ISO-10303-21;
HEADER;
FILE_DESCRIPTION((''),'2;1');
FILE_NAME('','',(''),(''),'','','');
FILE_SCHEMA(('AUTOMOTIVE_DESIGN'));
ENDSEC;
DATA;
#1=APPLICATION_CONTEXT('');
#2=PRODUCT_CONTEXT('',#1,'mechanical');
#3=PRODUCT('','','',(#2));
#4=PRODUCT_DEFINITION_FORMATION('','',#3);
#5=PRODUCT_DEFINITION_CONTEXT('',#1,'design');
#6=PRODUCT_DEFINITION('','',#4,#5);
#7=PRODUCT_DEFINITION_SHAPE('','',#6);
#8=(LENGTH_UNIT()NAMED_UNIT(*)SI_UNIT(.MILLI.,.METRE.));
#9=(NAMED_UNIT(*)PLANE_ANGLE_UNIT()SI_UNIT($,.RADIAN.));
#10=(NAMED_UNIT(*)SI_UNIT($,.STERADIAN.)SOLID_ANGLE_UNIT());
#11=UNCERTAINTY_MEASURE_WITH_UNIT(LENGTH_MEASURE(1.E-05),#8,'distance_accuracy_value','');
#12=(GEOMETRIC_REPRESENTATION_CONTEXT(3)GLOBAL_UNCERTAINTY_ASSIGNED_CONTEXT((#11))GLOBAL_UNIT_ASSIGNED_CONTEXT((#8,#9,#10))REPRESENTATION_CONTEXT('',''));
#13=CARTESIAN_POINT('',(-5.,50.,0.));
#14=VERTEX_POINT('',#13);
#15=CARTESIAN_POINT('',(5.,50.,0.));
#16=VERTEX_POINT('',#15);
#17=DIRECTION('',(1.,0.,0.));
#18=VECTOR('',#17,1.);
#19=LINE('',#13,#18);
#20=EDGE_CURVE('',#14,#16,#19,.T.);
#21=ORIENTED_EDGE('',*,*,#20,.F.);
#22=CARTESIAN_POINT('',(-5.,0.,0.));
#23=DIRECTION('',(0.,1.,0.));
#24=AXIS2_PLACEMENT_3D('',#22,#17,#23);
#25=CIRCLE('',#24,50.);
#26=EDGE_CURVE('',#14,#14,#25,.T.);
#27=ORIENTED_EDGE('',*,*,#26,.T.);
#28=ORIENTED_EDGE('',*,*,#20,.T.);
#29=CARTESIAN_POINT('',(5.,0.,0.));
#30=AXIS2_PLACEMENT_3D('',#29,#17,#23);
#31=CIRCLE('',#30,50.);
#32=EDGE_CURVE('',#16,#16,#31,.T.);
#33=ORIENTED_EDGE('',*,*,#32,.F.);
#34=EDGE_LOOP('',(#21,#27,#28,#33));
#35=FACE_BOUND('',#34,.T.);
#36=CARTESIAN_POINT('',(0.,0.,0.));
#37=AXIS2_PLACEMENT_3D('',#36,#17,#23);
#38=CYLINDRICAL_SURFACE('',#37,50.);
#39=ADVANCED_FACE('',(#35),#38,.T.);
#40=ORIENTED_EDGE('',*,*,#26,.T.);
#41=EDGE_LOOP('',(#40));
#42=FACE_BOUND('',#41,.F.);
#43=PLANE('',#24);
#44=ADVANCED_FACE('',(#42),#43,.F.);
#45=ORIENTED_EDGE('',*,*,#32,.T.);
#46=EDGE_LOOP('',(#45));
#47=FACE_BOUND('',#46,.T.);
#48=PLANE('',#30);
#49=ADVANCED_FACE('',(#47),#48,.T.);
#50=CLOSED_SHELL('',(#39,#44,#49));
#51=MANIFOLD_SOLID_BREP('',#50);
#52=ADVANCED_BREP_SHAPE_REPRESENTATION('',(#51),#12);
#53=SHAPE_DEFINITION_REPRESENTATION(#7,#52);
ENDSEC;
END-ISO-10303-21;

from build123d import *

# Parameters (mm, degrees)
F0_R     = 50
F1_DEPTH = 5


with BuildPart() as f1:
    # F0 (on Right) → F1 (new body, symmetric)
    with BuildSketch(Plane.YZ):
        Circle(F0_R)
    extrude(amount=F1_DEPTH, both=True)


solid = f1.part
